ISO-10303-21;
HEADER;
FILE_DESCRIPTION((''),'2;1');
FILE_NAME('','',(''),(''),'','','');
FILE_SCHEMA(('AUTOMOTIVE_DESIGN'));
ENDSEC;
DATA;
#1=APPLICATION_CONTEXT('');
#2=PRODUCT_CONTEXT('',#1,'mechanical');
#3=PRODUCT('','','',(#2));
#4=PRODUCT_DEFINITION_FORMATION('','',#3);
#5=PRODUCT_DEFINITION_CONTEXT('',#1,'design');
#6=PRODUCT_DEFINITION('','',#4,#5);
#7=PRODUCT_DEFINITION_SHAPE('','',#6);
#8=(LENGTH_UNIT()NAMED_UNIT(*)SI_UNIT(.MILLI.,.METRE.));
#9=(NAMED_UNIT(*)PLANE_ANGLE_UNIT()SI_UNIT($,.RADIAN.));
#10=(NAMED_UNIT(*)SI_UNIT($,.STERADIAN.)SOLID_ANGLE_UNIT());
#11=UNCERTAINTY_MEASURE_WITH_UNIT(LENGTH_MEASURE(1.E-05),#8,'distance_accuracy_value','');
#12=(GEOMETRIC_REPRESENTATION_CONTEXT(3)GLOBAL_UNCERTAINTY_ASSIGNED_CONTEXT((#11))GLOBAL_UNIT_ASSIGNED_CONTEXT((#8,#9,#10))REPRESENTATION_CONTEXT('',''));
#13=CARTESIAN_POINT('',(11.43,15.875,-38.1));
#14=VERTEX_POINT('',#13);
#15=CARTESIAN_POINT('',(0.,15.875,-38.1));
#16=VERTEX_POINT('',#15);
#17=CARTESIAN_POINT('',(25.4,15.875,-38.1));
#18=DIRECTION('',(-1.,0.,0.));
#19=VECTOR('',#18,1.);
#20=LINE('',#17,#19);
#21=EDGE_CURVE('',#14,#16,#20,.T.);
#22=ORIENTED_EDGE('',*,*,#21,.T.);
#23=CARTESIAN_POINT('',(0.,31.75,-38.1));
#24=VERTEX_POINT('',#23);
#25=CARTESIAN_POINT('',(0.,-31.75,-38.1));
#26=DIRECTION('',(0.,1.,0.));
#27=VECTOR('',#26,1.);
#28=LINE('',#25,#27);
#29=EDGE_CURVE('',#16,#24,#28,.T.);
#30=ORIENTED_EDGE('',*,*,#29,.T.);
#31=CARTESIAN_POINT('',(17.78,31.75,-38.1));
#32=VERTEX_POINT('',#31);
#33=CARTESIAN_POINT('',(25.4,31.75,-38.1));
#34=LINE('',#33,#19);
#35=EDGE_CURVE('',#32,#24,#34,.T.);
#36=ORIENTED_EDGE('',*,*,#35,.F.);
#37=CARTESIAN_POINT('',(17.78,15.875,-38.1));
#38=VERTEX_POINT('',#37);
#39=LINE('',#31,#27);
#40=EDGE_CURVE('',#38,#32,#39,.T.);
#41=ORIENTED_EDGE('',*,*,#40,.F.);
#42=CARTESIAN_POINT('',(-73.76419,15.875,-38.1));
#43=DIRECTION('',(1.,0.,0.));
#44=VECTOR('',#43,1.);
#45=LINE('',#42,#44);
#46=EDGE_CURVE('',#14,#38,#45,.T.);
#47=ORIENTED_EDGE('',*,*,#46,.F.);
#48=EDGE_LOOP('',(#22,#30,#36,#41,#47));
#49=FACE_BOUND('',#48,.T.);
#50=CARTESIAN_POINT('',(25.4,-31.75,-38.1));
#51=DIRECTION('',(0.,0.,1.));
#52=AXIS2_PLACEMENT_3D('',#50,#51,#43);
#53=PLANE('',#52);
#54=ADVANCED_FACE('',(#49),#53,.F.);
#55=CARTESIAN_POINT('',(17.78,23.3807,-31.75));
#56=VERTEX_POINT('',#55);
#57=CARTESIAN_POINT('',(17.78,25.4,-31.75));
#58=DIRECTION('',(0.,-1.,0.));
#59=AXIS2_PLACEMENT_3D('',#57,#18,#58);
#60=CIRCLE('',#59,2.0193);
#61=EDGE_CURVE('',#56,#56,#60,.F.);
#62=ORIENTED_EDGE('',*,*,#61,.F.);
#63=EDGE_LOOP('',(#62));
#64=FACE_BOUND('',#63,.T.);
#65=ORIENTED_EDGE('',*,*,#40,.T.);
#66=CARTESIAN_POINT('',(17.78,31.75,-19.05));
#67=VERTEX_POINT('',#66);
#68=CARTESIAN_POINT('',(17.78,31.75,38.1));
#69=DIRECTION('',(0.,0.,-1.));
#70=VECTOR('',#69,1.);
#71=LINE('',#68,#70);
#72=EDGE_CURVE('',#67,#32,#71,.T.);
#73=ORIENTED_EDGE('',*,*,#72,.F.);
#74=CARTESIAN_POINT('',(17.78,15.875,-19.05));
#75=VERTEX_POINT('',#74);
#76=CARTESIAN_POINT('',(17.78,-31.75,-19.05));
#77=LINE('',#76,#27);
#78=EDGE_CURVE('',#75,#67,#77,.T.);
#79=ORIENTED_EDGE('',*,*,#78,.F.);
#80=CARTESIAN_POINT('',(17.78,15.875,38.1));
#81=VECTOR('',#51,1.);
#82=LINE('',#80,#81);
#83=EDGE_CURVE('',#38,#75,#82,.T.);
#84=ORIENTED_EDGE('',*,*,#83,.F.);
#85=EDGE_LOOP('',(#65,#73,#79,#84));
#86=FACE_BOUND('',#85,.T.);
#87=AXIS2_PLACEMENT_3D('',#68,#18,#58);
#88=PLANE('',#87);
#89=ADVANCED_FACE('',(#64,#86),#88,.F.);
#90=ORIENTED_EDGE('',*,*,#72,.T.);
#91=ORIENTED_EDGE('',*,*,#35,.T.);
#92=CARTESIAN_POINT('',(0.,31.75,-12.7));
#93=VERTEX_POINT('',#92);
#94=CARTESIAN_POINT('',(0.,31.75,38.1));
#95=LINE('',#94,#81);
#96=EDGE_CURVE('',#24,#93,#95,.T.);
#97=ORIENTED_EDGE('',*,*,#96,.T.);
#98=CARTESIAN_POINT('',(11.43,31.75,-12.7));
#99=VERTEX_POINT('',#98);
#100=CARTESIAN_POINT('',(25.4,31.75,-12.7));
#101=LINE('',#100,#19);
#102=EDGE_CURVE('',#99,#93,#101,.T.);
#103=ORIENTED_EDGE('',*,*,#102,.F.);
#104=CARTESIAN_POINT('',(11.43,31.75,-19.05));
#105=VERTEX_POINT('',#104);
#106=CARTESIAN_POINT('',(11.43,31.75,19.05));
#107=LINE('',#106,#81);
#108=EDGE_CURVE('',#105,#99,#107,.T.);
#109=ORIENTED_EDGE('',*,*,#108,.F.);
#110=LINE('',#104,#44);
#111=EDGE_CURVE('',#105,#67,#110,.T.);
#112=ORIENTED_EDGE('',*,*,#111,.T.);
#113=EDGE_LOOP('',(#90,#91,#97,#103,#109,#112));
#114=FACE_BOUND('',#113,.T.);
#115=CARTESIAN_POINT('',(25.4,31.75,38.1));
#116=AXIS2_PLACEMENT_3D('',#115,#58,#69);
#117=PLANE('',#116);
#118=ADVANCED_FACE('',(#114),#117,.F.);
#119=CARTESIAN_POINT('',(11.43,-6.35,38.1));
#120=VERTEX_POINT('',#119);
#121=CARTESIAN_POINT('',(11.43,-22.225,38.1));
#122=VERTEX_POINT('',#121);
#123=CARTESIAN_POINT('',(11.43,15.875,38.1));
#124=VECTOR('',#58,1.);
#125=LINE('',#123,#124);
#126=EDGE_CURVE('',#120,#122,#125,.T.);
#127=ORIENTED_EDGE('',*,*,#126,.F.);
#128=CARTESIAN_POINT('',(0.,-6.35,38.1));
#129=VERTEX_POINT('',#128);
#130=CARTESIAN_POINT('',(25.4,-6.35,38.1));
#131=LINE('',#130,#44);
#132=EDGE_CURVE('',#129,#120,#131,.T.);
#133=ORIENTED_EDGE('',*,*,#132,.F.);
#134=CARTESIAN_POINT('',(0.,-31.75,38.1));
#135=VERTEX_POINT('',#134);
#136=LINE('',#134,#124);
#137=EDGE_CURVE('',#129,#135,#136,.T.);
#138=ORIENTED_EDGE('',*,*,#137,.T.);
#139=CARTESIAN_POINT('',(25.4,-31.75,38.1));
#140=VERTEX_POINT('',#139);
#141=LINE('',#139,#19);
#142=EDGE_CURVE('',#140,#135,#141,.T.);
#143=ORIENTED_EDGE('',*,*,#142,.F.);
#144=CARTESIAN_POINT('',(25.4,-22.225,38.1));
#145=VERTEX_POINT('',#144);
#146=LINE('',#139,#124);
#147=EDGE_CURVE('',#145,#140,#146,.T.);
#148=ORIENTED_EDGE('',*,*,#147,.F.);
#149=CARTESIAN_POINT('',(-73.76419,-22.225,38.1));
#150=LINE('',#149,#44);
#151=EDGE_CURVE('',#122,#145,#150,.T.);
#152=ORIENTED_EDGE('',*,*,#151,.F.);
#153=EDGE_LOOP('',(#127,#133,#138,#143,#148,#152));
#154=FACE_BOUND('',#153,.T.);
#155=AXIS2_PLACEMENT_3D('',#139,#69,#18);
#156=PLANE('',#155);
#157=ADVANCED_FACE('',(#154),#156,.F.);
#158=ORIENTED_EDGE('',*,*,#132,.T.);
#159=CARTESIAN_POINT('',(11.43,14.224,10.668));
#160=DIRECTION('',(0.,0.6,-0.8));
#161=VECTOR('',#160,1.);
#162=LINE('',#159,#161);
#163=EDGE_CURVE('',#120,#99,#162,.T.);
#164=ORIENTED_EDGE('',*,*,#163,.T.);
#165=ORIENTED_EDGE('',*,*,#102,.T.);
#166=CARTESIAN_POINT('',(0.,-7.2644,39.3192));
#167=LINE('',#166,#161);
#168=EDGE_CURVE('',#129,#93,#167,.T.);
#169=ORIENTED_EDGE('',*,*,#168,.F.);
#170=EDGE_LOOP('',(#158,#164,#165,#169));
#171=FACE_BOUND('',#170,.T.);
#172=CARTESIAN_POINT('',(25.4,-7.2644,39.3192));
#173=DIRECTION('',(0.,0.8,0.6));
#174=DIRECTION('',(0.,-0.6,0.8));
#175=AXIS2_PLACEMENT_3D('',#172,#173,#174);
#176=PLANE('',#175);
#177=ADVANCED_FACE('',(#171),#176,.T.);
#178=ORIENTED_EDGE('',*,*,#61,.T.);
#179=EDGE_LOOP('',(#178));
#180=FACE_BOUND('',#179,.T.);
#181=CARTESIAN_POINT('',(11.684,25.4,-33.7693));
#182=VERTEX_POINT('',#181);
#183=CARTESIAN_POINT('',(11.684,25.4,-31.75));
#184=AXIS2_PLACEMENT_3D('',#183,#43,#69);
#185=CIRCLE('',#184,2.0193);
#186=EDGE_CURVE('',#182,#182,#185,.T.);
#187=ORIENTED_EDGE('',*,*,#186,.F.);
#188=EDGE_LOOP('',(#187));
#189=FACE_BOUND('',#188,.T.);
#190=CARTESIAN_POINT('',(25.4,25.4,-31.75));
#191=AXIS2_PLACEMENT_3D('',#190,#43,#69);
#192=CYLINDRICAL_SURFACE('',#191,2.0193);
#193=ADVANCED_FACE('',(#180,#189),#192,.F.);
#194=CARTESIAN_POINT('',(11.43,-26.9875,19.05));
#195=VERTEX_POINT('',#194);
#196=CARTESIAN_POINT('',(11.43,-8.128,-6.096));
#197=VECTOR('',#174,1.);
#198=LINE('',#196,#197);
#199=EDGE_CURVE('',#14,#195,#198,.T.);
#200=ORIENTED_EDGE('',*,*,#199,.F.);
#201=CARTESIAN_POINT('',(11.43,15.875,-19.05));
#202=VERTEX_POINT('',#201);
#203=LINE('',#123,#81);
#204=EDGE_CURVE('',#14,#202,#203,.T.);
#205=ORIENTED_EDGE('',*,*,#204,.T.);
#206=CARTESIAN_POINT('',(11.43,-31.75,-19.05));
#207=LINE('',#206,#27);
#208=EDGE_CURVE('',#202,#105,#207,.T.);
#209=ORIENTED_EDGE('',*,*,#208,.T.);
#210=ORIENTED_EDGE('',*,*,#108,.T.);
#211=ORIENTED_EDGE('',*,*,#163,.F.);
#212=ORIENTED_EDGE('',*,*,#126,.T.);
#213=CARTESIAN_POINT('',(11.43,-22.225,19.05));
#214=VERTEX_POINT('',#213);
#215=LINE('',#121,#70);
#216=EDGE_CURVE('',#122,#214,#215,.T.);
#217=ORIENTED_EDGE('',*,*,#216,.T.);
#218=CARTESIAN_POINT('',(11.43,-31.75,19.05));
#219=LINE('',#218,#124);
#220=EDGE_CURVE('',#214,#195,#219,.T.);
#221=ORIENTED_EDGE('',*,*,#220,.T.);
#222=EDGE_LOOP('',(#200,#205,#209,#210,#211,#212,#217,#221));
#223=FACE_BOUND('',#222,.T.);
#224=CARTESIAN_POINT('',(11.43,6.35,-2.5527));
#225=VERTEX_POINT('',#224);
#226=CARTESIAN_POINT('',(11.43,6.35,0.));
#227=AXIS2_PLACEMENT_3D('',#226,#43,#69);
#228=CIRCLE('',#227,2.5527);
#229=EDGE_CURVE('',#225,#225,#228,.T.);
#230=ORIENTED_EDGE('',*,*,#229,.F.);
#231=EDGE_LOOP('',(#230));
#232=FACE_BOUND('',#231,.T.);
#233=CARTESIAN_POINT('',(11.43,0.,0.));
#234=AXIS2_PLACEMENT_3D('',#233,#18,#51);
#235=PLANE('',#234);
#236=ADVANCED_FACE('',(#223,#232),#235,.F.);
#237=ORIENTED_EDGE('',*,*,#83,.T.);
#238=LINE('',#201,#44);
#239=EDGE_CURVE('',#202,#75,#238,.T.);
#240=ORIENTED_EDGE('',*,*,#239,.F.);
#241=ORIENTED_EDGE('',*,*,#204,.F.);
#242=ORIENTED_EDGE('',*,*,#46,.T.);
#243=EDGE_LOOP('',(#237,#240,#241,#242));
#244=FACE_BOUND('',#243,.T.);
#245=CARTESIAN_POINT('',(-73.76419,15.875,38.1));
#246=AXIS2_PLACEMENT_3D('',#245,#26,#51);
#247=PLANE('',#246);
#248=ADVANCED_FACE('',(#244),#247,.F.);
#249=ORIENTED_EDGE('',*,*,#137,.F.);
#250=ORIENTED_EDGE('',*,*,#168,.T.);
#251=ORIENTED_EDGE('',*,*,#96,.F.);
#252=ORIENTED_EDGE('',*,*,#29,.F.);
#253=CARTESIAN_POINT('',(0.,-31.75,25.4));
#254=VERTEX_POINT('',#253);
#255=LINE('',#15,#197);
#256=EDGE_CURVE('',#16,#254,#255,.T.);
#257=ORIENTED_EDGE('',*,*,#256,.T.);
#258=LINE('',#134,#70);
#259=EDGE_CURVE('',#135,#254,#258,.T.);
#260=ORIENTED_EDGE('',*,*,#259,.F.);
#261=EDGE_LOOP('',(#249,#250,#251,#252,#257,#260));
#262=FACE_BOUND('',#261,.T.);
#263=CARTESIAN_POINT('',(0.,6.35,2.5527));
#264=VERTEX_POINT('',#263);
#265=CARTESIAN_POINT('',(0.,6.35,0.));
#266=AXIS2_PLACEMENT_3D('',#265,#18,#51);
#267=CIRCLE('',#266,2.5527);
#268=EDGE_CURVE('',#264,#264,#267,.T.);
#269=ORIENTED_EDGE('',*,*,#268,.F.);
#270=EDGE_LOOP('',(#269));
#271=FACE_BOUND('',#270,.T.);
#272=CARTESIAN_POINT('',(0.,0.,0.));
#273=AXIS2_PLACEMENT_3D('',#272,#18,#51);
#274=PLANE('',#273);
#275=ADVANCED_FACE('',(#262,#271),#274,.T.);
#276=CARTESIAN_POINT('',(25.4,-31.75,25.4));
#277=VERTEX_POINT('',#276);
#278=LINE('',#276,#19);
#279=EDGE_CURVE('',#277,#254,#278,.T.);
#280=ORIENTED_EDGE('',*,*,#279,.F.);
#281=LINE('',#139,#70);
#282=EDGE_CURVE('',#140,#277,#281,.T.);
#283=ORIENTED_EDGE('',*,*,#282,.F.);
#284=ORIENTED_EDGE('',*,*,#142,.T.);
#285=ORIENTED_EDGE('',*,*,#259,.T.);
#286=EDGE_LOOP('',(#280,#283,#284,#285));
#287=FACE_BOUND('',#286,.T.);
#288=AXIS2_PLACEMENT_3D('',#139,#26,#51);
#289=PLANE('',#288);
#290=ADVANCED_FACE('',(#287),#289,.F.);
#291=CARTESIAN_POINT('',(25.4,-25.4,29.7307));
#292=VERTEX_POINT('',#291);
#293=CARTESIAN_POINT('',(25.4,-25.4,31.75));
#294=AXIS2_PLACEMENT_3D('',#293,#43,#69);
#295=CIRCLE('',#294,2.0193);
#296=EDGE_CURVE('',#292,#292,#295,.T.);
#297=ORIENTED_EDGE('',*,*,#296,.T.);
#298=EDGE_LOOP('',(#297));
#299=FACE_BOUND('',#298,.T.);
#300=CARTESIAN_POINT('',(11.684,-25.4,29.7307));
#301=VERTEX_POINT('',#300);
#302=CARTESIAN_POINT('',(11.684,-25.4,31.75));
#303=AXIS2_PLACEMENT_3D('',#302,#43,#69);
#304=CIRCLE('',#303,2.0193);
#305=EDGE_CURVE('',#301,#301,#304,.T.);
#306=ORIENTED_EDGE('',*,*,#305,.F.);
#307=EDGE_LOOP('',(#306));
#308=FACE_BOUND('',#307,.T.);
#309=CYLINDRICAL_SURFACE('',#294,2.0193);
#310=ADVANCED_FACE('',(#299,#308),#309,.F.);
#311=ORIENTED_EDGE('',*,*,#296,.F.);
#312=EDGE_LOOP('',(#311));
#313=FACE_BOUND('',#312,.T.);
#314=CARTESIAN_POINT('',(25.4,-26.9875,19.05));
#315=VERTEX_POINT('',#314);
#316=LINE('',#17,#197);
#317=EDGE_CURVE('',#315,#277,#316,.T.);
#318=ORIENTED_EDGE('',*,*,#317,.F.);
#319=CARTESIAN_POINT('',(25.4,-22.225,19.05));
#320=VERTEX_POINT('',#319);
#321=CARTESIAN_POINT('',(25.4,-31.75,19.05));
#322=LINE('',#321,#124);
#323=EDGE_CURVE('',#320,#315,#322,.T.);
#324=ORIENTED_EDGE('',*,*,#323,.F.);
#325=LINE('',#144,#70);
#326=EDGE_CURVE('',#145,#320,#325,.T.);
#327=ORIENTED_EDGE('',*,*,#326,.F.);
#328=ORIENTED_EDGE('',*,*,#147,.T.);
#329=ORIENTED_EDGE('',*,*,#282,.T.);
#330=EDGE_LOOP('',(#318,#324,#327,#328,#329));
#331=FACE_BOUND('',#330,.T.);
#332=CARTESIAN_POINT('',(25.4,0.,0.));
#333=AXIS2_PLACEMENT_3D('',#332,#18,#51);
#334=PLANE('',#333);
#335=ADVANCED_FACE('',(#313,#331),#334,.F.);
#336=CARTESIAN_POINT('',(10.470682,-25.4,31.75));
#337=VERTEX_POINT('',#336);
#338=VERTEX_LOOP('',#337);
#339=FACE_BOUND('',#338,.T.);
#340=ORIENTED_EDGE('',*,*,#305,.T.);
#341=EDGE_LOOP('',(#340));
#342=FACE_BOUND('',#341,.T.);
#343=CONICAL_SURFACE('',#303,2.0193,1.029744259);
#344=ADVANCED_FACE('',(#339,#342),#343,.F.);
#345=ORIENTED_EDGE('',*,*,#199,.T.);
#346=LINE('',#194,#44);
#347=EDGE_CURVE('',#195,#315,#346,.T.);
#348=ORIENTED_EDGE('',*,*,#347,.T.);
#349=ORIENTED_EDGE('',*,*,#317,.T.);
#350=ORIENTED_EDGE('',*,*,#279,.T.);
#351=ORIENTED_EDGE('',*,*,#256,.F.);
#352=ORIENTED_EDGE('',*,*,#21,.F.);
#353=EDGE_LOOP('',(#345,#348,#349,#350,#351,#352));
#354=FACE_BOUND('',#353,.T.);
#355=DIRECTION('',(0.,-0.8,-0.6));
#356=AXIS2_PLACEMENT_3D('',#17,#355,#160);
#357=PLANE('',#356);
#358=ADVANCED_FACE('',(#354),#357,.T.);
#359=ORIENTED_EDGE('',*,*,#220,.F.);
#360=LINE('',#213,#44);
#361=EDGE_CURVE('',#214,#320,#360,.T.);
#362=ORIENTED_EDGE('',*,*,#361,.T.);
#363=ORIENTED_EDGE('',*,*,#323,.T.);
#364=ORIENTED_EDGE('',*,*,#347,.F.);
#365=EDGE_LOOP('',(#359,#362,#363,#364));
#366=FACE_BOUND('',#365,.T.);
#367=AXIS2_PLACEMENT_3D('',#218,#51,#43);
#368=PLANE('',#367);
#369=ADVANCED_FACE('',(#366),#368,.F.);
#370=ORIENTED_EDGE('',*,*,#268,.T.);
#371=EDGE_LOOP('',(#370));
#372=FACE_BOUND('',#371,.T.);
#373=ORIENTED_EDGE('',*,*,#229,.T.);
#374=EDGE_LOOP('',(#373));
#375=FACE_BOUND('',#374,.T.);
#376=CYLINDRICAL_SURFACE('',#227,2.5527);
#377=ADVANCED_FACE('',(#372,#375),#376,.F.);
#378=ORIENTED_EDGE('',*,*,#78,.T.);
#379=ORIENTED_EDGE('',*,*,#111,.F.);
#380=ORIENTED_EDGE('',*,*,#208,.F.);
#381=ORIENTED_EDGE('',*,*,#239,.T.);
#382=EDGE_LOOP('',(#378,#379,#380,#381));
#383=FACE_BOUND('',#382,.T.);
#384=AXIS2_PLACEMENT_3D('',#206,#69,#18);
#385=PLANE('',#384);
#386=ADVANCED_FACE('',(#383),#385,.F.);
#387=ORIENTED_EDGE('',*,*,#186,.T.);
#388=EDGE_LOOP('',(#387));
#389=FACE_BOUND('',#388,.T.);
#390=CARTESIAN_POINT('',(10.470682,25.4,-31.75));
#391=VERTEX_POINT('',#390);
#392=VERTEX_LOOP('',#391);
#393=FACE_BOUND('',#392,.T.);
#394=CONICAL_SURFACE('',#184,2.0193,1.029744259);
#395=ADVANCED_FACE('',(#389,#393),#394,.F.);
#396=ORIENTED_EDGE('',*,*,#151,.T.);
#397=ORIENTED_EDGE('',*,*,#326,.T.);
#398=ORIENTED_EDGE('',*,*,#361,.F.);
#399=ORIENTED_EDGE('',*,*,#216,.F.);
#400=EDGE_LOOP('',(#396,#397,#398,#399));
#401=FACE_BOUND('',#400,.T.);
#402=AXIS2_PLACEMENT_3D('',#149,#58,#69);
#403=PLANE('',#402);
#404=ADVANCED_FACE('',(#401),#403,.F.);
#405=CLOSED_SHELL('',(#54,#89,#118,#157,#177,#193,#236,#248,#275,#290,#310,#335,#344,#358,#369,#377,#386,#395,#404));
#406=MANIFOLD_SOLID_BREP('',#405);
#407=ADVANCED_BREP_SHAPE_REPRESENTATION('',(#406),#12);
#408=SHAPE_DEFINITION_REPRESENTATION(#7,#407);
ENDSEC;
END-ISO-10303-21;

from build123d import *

# Parameters (mm, degrees)
SKETCH1_W                   = 76.2
SKETCH1_H                   = 63.5
BOSS_EXTRUDE1_DEPTH         = 25.4
SKETCH2_W                   = 38.1
SKETCH2_H                   = 63.5
CUT_EXTRUDE1_DEPTH          = 13.97
F_1_4_20_TAPPED_HOLE1_D     = 5.1054
F_1_4_20_TAPPED_HOLE1_DEPTH = 19.05
F_1_4_20_TAPPED_HOLE1_TIP   = 1.533816902
LPATTERN1_COUNT             = 2
LPATTERN1_PITCH             = 50.8
LPATTERN1_COUNT_DIR2        = 2
LPATTERN1_PITCH_DIR2        = 63.5
SKETCH7_W                   = 76.2
SKETCH7_H                   = 38.1
CUT_EXTRUDE2_DEPTH          = 13.97
SKETCH8_OUTSIDE_W           = 98.678
SKETCH8_OUTSIDE_H           = 85.978
CUT_EXTRUDE3_DEPTH          = 56.72102386
SKETCH9_W                   = 7.62
SKETCH9_H                   = 15.875
CUT_EXTRUDE4_DEPTH          = 87.36933773


with BuildPart() as part:
    # Sketch1 → Boss-Extrude1 (new body)
    with BuildSketch(Plane(origin=(0, 0, 0), x_dir=(0, 0, -1), z_dir=(1, 0, 0))):
        Rectangle(SKETCH1_W, SKETCH1_H)
    extrude(amount=BOSS_EXTRUDE1_DEPTH)

    # Sketch2 → Cut-Extrude1 (cut)
    with BuildSketch(Plane(origin=(25.4, 0, 0), x_dir=(0, 0, -1), z_dir=(1, 0, 0))):
        Rectangle(SKETCH2_W, SKETCH2_H)
    extrude(amount=-CUT_EXTRUDE1_DEPTH, mode=Mode.SUBTRACT)

    # Sketch5 → #10-32 Tapped Hole1 (revolve, cut)
    with BuildSketch(Plane(origin=(25.4, 25.4, 31.75), x_dir=(0, 0, -1), z_dir=(0, 1, 0))):
        Polygon((0, 0), (0, 14.929317848), (2.0193, 13.716), (2.0193, 0), align=None)
    f_10_32_tapped_hole1 = revolve(axis=Axis((31.75, 25.4, 31.75), (-1, 0, 0)), mode=Mode.SUBTRACT)

    # 1/4-20 Tapped Hole1
    with Locations(Plane(origin=(11.43, 0, 0), x_dir=(0, 0, -1), z_dir=(1, 0, 0))):
        with Locations((0, 6.35)):
            Hole(F_1_4_20_TAPPED_HOLE1_D / 2, depth=F_1_4_20_TAPPED_HOLE1_DEPTH)
            with Locations((0, 0, -(F_1_4_20_TAPPED_HOLE1_DEPTH + F_1_4_20_TAPPED_HOLE1_TIP / 2))):  # 118° drill point
                Cone(0, F_1_4_20_TAPPED_HOLE1_D / 2, F_1_4_20_TAPPED_HOLE1_TIP, mode=Mode.SUBTRACT)

    # LPattern1: 10-32 Tapped Hole1 2 × 2
    with Locations(*[(0, -i * LPATTERN1_PITCH, -j * LPATTERN1_PITCH_DIR2) for i in range(LPATTERN1_COUNT) for j in range(LPATTERN1_COUNT_DIR2) if (i, j) != (0, 0)]):
        add(f_10_32_tapped_hole1, mode=Mode.SUBTRACT)

    # Sketch7 → Cut-Extrude2 (cut)
    with BuildSketch(Plane(origin=(25.4, 0, 0), x_dir=(0, 0, -1), z_dir=(1, 0, 0))):
        with Locations((0, -3.175)):
            Rectangle(SKETCH7_W, SKETCH7_H)
    extrude(amount=-CUT_EXTRUDE2_DEPTH, mode=Mode.SUBTRACT)

    # Sketch8 outside → Cut-Extrude3 (cut, through all)
    with BuildSketch(Plane.ZY):
        Rectangle(SKETCH8_OUTSIDE_W, SKETCH8_OUTSIDE_H)
        Polygon((-38.1, 15.875), (25.4, -31.75), (38.1, -31.75), (39.3192, -7.2644), (-12.7, 31.75), (-38.1, 31.75), align=None, mode=Mode.SUBTRACT)
    extrude(amount=-CUT_EXTRUDE3_DEPTH, mode=Mode.SUBTRACT)

    # Sketch9 → Cut-Extrude4 (cut, through all)
    with BuildSketch(Plane(origin=(0, 0, -38.1), x_dir=(-1, 0, 0), z_dir=(0, 0, -1))):
        with Locations((-21.59, 23.8125)):
            Rectangle(SKETCH9_W, SKETCH9_H)
    extrude(amount=-CUT_EXTRUDE4_DEPTH, mode=Mode.SUBTRACT)


solid = part.part
